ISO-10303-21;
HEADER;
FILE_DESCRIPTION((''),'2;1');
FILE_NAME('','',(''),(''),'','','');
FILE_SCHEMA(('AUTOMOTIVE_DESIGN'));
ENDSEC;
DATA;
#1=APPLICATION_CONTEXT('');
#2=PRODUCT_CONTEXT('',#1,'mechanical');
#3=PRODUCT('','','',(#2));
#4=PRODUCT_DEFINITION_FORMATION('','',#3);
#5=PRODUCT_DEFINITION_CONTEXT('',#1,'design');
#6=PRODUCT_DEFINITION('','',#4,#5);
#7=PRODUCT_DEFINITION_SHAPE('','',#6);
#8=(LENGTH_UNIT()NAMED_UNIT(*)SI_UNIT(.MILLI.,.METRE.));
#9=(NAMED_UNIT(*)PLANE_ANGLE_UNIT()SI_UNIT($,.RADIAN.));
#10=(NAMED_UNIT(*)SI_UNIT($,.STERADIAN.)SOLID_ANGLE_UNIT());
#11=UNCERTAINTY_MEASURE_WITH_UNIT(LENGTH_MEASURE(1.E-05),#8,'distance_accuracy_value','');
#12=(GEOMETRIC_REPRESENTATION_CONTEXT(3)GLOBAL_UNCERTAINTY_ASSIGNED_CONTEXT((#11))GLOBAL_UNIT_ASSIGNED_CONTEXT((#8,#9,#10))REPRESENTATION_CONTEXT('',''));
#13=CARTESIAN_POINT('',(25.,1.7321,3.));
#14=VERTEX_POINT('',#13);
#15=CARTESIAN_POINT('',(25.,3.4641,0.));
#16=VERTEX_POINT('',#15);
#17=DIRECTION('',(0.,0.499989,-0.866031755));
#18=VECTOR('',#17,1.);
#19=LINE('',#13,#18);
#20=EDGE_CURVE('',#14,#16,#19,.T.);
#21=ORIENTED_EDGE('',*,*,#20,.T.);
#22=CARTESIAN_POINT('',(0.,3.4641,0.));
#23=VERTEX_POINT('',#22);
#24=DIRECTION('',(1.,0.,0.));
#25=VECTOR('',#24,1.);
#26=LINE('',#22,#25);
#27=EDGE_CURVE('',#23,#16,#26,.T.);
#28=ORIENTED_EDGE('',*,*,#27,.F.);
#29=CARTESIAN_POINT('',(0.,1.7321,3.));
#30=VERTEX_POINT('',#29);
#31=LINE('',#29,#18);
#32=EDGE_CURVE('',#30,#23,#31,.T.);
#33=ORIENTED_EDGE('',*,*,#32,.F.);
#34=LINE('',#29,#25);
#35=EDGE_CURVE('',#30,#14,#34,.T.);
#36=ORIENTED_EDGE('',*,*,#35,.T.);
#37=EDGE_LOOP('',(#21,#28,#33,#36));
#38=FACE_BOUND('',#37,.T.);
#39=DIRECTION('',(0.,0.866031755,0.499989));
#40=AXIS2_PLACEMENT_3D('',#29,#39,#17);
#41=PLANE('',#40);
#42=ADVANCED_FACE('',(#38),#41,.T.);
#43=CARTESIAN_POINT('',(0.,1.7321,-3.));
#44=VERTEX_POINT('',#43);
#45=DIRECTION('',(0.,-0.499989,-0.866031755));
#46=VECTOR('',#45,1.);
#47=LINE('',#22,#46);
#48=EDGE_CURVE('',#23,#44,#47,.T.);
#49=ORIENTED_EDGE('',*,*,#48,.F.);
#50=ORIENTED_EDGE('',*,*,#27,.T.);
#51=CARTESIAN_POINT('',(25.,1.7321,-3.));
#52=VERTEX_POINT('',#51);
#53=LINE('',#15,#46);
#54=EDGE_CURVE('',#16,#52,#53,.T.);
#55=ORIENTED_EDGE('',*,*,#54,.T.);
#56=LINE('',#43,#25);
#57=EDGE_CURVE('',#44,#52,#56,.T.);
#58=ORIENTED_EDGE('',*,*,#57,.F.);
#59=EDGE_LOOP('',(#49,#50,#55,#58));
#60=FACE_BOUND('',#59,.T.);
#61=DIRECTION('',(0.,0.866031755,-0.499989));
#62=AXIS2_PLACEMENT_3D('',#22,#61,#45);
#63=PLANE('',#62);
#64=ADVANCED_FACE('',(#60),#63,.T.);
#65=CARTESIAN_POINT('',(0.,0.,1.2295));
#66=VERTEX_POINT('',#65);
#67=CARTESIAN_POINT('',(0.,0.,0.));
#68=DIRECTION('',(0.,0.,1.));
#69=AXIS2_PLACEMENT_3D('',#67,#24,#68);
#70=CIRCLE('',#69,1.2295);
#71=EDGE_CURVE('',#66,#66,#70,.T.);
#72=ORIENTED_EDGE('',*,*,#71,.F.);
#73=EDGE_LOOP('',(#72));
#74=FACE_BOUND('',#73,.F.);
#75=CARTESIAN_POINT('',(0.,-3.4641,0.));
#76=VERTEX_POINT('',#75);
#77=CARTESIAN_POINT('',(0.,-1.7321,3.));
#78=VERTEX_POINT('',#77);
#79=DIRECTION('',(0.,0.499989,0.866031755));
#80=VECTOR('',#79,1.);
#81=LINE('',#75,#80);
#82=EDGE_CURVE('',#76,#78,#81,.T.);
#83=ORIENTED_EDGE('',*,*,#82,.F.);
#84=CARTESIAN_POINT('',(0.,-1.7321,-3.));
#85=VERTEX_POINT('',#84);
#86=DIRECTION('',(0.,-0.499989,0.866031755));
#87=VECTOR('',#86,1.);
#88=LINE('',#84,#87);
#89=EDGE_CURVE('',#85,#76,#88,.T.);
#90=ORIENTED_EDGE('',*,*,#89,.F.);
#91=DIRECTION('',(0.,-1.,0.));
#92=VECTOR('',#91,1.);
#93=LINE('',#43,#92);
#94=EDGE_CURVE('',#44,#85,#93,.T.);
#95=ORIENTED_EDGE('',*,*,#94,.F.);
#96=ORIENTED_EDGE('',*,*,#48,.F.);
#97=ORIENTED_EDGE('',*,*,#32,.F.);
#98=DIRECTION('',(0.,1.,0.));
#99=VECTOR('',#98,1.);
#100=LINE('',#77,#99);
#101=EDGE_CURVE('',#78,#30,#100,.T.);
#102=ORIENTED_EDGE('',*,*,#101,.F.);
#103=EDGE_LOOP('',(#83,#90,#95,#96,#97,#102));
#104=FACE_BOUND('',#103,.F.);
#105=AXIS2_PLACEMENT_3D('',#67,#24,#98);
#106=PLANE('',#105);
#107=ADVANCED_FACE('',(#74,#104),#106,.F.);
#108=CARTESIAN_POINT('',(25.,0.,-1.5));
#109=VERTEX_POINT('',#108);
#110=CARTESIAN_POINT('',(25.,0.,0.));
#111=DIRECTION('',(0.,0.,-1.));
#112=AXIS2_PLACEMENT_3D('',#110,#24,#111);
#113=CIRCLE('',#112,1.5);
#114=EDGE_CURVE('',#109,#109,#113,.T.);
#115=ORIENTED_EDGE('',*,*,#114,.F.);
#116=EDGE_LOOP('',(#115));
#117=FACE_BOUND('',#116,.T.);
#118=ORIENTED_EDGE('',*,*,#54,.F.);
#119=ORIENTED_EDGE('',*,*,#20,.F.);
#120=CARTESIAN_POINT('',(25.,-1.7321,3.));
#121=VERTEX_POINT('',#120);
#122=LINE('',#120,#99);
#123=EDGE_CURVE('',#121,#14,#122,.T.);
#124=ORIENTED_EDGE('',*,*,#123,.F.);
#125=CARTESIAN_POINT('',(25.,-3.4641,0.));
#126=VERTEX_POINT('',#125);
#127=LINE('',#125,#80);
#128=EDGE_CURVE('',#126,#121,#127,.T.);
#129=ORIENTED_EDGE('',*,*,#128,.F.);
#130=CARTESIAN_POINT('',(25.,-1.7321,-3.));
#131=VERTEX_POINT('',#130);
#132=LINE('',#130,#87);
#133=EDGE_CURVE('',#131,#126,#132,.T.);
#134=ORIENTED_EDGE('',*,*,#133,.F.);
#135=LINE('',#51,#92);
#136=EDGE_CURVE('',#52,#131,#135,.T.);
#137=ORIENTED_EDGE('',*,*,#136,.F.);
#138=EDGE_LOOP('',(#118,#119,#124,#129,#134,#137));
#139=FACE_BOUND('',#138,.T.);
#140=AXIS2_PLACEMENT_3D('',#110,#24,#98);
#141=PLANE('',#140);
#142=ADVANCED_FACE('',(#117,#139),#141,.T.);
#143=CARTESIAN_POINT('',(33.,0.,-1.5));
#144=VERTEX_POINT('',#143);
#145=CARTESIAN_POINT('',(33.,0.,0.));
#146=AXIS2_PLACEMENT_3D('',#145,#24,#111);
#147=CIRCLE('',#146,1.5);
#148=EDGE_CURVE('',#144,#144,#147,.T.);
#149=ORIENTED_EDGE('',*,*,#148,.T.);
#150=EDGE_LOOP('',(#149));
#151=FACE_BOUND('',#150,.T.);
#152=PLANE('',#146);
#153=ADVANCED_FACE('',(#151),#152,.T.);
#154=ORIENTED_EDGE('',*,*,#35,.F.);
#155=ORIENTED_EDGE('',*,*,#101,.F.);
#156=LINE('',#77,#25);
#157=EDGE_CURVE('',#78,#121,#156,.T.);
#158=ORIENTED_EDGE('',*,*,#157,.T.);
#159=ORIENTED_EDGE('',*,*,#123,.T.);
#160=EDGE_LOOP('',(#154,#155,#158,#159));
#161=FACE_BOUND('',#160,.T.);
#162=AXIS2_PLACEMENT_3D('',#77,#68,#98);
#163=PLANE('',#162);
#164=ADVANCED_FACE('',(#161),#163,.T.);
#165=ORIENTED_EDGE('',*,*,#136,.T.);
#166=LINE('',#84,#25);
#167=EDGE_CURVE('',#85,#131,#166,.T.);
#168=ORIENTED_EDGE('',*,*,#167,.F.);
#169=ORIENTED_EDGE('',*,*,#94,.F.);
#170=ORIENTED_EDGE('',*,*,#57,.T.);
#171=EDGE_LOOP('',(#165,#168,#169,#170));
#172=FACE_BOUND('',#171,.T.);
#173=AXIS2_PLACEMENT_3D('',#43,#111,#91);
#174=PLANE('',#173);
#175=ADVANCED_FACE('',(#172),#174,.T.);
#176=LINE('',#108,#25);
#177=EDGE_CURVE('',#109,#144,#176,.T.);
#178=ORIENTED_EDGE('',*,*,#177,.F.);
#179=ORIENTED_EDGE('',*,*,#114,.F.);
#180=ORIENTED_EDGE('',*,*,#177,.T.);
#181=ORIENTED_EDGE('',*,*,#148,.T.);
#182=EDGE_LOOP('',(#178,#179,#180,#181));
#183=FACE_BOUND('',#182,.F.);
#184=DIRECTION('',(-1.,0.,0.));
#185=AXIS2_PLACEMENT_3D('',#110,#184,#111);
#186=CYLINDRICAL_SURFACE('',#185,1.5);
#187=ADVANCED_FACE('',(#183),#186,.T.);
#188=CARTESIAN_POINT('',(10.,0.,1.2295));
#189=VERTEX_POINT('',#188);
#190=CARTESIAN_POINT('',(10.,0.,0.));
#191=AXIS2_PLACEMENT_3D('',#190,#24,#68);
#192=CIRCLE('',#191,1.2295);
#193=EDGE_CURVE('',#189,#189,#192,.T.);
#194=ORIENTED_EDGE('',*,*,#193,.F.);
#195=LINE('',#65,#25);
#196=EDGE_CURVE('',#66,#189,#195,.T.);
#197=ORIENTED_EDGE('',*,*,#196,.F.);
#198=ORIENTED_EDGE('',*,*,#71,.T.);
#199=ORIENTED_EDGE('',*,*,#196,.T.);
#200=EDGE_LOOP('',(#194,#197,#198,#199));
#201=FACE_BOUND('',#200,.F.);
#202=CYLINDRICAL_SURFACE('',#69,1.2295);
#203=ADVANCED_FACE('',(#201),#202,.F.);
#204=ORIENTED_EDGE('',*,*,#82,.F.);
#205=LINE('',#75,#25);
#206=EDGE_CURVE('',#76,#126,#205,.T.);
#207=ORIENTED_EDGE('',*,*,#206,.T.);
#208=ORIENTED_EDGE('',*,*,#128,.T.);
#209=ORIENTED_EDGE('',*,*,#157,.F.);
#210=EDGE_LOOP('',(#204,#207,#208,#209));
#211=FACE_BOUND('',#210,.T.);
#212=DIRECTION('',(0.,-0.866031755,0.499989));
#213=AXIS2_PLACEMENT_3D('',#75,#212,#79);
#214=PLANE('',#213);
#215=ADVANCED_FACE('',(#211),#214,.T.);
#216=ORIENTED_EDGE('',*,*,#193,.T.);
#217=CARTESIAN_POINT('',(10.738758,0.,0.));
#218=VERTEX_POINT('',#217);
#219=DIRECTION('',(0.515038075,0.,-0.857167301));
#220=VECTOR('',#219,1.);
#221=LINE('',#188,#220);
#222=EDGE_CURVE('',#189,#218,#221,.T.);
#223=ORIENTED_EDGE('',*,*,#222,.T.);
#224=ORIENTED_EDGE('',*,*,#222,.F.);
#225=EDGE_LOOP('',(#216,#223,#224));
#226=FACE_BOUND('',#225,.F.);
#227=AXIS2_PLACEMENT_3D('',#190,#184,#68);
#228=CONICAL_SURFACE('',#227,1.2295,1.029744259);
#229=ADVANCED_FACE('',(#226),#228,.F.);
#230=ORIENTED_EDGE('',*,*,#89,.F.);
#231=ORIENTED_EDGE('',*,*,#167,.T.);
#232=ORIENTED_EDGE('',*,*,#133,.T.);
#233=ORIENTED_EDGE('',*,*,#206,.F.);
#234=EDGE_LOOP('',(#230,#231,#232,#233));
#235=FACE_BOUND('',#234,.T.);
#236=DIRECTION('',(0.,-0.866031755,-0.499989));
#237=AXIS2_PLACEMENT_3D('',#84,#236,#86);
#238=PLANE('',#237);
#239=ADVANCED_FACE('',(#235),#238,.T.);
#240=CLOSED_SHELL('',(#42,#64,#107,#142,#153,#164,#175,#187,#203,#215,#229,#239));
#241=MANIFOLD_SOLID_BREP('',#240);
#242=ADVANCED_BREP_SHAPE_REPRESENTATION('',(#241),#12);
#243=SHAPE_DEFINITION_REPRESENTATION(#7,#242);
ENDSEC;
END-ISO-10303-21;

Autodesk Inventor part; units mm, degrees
ref_plane "YZ Plane" through (0, 0, 0) normal (1, 0, 0) x (0, 1, 0)
ref_plane "XZ Plane" through (0, 0, 0) normal (0, 1, 0) x (-1, 0, 0)
ref_plane "XY Plane" through (0, 0, 0) normal (0, 0, 1) x (1, 0, 0)
sketch "スケッチ1" plane through (0, 0, 0) normal (1, 0, 0) x (0, 1, 0)
  line L0 (1.7321, -3) -> (-1.7321, -3)
  line L1 (-1.7321, -3) -> (-3.4641, 0)
  line L2 (-3.4641, 0) -> (-1.7321, 3)
  line L3 (-1.7321, 3) -> (1.7321, 3)
  line L4 (1.7321, 3) -> (3.4641, 0)
  line L5 (3.4641, 0) -> (1.7321, -3)
  point P0 (0, 0)
  point P1 (0, 0)
  dimension "d0" = 6
extrude "押し出し1" add sketch "スケッチ1" along normal blind 25
sketch "スケッチ2" plane through (25, 0, 0) normal (1, 0, 0) x (0, 0, -1)
  circle A0 centre (0, 0) radius 1.5
  dimension "d3" = 3
extrude "押し出し2" add sketch "スケッチ2" along normal blind 8
thread "ねじ1" size "M3x0.5" class "6g" standard "ANSI Metric M Profile" full length
sketch "スケッチ3" plane through (0, 0, 0) normal (-1, 0, 0) x (0, 0, 1)
  point P0 (0, 0)
  point P1 (0, 0)
hole "穴1" at (0, 0, 0) direction (1, 0, 0) diameter 2.459 depth 10 tip angle 118 thread size "M3x0.5" class "6H" standard "ISO Metric profile"
properties part number "Spacer_M3_L15" material "鋼、合金"
